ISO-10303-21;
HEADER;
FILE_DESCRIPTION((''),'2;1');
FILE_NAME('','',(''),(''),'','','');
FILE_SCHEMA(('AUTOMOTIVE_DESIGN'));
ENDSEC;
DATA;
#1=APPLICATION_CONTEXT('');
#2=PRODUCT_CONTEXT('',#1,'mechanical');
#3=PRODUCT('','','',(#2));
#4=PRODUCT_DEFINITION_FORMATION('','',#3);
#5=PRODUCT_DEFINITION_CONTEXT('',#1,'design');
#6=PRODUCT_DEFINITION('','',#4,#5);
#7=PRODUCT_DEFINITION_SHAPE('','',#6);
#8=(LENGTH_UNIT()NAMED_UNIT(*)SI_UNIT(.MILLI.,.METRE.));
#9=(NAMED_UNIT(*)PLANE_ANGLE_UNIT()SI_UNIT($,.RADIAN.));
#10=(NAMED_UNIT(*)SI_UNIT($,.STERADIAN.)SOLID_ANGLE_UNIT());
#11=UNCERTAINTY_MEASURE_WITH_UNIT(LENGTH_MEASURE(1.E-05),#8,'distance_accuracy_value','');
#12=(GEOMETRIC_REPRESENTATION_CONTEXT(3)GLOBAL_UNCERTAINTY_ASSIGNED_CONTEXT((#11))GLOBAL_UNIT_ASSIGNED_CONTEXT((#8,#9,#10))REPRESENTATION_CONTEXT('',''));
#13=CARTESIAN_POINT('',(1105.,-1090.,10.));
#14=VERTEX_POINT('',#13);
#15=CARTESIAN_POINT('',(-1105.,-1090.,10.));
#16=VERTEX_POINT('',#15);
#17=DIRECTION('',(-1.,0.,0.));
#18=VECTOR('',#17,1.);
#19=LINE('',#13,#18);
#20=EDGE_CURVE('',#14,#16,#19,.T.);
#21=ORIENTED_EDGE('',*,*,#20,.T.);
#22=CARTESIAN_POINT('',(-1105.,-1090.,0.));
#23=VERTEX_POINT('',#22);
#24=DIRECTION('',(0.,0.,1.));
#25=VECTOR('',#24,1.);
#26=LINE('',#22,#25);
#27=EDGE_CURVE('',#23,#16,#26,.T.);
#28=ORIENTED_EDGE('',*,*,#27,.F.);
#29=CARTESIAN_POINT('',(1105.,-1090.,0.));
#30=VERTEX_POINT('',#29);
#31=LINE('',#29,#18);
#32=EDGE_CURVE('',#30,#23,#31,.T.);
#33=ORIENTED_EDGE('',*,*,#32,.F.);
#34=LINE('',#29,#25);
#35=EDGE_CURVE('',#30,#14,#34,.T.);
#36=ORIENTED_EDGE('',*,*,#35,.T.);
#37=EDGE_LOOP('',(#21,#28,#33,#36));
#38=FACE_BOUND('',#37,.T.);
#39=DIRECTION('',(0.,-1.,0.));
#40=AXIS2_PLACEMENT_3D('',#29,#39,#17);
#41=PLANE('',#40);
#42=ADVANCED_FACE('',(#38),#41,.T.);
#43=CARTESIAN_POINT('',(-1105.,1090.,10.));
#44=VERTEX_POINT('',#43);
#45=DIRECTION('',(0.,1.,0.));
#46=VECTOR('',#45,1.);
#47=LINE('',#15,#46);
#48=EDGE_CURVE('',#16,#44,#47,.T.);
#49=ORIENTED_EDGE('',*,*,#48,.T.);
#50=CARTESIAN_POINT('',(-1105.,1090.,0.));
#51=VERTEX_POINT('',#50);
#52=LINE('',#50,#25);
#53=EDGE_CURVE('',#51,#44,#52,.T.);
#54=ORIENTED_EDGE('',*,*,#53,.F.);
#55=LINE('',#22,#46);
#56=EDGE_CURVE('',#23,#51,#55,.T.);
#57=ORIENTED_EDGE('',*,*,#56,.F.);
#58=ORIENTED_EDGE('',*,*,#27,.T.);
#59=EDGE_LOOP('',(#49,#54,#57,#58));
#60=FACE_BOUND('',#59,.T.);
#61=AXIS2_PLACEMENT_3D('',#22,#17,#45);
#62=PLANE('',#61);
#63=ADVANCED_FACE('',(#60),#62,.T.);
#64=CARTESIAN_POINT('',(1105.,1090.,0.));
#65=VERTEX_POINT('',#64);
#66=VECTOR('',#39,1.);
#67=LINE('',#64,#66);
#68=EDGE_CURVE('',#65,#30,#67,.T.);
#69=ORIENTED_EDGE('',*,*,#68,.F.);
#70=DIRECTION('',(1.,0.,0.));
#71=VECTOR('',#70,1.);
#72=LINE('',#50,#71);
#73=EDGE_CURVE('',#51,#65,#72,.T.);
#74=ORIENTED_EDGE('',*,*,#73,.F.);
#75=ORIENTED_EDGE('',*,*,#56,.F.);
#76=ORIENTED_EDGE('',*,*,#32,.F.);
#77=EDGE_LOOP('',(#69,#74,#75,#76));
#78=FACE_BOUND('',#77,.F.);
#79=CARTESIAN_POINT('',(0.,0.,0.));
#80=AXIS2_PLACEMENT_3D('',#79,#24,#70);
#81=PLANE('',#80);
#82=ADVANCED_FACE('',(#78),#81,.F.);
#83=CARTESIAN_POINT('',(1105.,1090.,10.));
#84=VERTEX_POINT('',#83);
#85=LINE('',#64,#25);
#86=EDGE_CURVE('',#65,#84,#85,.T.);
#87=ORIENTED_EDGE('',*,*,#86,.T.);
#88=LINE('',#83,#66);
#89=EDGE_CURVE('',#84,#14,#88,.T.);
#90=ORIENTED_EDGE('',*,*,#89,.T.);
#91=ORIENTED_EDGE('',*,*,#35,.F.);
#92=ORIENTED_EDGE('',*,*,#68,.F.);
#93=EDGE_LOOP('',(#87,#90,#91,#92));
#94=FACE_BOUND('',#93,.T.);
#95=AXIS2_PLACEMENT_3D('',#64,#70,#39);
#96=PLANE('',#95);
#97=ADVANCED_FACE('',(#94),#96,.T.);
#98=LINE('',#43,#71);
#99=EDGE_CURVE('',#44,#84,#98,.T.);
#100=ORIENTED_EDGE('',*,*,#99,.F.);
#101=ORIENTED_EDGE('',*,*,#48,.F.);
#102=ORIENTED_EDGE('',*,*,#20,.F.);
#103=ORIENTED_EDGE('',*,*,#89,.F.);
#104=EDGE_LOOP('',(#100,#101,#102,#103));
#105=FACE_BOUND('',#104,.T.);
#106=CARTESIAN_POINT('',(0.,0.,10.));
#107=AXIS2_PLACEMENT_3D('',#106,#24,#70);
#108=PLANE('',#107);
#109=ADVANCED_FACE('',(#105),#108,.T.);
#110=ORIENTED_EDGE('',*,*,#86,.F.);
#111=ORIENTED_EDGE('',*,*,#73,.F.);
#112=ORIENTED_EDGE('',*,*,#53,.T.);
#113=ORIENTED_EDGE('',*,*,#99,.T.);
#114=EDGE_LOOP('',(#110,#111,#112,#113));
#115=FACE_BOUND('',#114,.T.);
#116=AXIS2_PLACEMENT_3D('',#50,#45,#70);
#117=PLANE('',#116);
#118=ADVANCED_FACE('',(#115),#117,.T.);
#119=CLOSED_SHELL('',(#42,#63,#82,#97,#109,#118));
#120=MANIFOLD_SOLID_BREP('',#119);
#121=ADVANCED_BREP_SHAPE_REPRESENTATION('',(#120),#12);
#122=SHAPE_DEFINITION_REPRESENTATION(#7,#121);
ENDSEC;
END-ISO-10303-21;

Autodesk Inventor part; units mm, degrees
ref_plane "YZ Plane" through (0, 0, 0) normal (1, 0, 0) x (0, 1, 0)
ref_plane "XZ Plane" through (0, 0, 0) normal (0, 1, 0) x (-1, 0, 0)
ref_plane "XY Plane" through (0, 0, 0) normal (0, 0, 1) x (1, 0, 0)
sketch "Sketch1" plane through (0, 0, 0) normal (0, 0, 1) x (1, 0, 0)
  line L0 (-1105, 1090) -> (1105, 1090)
  line L1 (1105, 1090) -> (1105, -1090)
  line L2 (1105, -1090) -> (-1105, -1090)
  line L3 (-1105, -1090) -> (-1105, 1090)
  line L4 (-1105, 1090) -> (1105, -1090) construction
  line L5 (1105, 1090) -> (-1105, -1090) construction
  point P0 (0, 0)
  dimension "d0" = 2180
  dimension "d1" = 2210
extrude "Extrusion1" add sketch "Sketch1" along normal blind 10
equation "\"BendReliefDepth\" = 0.5 * Thickness"
equation "\"Thickness\" = 10"
properties part number "DF1.03 Wall bottom v2.0"
